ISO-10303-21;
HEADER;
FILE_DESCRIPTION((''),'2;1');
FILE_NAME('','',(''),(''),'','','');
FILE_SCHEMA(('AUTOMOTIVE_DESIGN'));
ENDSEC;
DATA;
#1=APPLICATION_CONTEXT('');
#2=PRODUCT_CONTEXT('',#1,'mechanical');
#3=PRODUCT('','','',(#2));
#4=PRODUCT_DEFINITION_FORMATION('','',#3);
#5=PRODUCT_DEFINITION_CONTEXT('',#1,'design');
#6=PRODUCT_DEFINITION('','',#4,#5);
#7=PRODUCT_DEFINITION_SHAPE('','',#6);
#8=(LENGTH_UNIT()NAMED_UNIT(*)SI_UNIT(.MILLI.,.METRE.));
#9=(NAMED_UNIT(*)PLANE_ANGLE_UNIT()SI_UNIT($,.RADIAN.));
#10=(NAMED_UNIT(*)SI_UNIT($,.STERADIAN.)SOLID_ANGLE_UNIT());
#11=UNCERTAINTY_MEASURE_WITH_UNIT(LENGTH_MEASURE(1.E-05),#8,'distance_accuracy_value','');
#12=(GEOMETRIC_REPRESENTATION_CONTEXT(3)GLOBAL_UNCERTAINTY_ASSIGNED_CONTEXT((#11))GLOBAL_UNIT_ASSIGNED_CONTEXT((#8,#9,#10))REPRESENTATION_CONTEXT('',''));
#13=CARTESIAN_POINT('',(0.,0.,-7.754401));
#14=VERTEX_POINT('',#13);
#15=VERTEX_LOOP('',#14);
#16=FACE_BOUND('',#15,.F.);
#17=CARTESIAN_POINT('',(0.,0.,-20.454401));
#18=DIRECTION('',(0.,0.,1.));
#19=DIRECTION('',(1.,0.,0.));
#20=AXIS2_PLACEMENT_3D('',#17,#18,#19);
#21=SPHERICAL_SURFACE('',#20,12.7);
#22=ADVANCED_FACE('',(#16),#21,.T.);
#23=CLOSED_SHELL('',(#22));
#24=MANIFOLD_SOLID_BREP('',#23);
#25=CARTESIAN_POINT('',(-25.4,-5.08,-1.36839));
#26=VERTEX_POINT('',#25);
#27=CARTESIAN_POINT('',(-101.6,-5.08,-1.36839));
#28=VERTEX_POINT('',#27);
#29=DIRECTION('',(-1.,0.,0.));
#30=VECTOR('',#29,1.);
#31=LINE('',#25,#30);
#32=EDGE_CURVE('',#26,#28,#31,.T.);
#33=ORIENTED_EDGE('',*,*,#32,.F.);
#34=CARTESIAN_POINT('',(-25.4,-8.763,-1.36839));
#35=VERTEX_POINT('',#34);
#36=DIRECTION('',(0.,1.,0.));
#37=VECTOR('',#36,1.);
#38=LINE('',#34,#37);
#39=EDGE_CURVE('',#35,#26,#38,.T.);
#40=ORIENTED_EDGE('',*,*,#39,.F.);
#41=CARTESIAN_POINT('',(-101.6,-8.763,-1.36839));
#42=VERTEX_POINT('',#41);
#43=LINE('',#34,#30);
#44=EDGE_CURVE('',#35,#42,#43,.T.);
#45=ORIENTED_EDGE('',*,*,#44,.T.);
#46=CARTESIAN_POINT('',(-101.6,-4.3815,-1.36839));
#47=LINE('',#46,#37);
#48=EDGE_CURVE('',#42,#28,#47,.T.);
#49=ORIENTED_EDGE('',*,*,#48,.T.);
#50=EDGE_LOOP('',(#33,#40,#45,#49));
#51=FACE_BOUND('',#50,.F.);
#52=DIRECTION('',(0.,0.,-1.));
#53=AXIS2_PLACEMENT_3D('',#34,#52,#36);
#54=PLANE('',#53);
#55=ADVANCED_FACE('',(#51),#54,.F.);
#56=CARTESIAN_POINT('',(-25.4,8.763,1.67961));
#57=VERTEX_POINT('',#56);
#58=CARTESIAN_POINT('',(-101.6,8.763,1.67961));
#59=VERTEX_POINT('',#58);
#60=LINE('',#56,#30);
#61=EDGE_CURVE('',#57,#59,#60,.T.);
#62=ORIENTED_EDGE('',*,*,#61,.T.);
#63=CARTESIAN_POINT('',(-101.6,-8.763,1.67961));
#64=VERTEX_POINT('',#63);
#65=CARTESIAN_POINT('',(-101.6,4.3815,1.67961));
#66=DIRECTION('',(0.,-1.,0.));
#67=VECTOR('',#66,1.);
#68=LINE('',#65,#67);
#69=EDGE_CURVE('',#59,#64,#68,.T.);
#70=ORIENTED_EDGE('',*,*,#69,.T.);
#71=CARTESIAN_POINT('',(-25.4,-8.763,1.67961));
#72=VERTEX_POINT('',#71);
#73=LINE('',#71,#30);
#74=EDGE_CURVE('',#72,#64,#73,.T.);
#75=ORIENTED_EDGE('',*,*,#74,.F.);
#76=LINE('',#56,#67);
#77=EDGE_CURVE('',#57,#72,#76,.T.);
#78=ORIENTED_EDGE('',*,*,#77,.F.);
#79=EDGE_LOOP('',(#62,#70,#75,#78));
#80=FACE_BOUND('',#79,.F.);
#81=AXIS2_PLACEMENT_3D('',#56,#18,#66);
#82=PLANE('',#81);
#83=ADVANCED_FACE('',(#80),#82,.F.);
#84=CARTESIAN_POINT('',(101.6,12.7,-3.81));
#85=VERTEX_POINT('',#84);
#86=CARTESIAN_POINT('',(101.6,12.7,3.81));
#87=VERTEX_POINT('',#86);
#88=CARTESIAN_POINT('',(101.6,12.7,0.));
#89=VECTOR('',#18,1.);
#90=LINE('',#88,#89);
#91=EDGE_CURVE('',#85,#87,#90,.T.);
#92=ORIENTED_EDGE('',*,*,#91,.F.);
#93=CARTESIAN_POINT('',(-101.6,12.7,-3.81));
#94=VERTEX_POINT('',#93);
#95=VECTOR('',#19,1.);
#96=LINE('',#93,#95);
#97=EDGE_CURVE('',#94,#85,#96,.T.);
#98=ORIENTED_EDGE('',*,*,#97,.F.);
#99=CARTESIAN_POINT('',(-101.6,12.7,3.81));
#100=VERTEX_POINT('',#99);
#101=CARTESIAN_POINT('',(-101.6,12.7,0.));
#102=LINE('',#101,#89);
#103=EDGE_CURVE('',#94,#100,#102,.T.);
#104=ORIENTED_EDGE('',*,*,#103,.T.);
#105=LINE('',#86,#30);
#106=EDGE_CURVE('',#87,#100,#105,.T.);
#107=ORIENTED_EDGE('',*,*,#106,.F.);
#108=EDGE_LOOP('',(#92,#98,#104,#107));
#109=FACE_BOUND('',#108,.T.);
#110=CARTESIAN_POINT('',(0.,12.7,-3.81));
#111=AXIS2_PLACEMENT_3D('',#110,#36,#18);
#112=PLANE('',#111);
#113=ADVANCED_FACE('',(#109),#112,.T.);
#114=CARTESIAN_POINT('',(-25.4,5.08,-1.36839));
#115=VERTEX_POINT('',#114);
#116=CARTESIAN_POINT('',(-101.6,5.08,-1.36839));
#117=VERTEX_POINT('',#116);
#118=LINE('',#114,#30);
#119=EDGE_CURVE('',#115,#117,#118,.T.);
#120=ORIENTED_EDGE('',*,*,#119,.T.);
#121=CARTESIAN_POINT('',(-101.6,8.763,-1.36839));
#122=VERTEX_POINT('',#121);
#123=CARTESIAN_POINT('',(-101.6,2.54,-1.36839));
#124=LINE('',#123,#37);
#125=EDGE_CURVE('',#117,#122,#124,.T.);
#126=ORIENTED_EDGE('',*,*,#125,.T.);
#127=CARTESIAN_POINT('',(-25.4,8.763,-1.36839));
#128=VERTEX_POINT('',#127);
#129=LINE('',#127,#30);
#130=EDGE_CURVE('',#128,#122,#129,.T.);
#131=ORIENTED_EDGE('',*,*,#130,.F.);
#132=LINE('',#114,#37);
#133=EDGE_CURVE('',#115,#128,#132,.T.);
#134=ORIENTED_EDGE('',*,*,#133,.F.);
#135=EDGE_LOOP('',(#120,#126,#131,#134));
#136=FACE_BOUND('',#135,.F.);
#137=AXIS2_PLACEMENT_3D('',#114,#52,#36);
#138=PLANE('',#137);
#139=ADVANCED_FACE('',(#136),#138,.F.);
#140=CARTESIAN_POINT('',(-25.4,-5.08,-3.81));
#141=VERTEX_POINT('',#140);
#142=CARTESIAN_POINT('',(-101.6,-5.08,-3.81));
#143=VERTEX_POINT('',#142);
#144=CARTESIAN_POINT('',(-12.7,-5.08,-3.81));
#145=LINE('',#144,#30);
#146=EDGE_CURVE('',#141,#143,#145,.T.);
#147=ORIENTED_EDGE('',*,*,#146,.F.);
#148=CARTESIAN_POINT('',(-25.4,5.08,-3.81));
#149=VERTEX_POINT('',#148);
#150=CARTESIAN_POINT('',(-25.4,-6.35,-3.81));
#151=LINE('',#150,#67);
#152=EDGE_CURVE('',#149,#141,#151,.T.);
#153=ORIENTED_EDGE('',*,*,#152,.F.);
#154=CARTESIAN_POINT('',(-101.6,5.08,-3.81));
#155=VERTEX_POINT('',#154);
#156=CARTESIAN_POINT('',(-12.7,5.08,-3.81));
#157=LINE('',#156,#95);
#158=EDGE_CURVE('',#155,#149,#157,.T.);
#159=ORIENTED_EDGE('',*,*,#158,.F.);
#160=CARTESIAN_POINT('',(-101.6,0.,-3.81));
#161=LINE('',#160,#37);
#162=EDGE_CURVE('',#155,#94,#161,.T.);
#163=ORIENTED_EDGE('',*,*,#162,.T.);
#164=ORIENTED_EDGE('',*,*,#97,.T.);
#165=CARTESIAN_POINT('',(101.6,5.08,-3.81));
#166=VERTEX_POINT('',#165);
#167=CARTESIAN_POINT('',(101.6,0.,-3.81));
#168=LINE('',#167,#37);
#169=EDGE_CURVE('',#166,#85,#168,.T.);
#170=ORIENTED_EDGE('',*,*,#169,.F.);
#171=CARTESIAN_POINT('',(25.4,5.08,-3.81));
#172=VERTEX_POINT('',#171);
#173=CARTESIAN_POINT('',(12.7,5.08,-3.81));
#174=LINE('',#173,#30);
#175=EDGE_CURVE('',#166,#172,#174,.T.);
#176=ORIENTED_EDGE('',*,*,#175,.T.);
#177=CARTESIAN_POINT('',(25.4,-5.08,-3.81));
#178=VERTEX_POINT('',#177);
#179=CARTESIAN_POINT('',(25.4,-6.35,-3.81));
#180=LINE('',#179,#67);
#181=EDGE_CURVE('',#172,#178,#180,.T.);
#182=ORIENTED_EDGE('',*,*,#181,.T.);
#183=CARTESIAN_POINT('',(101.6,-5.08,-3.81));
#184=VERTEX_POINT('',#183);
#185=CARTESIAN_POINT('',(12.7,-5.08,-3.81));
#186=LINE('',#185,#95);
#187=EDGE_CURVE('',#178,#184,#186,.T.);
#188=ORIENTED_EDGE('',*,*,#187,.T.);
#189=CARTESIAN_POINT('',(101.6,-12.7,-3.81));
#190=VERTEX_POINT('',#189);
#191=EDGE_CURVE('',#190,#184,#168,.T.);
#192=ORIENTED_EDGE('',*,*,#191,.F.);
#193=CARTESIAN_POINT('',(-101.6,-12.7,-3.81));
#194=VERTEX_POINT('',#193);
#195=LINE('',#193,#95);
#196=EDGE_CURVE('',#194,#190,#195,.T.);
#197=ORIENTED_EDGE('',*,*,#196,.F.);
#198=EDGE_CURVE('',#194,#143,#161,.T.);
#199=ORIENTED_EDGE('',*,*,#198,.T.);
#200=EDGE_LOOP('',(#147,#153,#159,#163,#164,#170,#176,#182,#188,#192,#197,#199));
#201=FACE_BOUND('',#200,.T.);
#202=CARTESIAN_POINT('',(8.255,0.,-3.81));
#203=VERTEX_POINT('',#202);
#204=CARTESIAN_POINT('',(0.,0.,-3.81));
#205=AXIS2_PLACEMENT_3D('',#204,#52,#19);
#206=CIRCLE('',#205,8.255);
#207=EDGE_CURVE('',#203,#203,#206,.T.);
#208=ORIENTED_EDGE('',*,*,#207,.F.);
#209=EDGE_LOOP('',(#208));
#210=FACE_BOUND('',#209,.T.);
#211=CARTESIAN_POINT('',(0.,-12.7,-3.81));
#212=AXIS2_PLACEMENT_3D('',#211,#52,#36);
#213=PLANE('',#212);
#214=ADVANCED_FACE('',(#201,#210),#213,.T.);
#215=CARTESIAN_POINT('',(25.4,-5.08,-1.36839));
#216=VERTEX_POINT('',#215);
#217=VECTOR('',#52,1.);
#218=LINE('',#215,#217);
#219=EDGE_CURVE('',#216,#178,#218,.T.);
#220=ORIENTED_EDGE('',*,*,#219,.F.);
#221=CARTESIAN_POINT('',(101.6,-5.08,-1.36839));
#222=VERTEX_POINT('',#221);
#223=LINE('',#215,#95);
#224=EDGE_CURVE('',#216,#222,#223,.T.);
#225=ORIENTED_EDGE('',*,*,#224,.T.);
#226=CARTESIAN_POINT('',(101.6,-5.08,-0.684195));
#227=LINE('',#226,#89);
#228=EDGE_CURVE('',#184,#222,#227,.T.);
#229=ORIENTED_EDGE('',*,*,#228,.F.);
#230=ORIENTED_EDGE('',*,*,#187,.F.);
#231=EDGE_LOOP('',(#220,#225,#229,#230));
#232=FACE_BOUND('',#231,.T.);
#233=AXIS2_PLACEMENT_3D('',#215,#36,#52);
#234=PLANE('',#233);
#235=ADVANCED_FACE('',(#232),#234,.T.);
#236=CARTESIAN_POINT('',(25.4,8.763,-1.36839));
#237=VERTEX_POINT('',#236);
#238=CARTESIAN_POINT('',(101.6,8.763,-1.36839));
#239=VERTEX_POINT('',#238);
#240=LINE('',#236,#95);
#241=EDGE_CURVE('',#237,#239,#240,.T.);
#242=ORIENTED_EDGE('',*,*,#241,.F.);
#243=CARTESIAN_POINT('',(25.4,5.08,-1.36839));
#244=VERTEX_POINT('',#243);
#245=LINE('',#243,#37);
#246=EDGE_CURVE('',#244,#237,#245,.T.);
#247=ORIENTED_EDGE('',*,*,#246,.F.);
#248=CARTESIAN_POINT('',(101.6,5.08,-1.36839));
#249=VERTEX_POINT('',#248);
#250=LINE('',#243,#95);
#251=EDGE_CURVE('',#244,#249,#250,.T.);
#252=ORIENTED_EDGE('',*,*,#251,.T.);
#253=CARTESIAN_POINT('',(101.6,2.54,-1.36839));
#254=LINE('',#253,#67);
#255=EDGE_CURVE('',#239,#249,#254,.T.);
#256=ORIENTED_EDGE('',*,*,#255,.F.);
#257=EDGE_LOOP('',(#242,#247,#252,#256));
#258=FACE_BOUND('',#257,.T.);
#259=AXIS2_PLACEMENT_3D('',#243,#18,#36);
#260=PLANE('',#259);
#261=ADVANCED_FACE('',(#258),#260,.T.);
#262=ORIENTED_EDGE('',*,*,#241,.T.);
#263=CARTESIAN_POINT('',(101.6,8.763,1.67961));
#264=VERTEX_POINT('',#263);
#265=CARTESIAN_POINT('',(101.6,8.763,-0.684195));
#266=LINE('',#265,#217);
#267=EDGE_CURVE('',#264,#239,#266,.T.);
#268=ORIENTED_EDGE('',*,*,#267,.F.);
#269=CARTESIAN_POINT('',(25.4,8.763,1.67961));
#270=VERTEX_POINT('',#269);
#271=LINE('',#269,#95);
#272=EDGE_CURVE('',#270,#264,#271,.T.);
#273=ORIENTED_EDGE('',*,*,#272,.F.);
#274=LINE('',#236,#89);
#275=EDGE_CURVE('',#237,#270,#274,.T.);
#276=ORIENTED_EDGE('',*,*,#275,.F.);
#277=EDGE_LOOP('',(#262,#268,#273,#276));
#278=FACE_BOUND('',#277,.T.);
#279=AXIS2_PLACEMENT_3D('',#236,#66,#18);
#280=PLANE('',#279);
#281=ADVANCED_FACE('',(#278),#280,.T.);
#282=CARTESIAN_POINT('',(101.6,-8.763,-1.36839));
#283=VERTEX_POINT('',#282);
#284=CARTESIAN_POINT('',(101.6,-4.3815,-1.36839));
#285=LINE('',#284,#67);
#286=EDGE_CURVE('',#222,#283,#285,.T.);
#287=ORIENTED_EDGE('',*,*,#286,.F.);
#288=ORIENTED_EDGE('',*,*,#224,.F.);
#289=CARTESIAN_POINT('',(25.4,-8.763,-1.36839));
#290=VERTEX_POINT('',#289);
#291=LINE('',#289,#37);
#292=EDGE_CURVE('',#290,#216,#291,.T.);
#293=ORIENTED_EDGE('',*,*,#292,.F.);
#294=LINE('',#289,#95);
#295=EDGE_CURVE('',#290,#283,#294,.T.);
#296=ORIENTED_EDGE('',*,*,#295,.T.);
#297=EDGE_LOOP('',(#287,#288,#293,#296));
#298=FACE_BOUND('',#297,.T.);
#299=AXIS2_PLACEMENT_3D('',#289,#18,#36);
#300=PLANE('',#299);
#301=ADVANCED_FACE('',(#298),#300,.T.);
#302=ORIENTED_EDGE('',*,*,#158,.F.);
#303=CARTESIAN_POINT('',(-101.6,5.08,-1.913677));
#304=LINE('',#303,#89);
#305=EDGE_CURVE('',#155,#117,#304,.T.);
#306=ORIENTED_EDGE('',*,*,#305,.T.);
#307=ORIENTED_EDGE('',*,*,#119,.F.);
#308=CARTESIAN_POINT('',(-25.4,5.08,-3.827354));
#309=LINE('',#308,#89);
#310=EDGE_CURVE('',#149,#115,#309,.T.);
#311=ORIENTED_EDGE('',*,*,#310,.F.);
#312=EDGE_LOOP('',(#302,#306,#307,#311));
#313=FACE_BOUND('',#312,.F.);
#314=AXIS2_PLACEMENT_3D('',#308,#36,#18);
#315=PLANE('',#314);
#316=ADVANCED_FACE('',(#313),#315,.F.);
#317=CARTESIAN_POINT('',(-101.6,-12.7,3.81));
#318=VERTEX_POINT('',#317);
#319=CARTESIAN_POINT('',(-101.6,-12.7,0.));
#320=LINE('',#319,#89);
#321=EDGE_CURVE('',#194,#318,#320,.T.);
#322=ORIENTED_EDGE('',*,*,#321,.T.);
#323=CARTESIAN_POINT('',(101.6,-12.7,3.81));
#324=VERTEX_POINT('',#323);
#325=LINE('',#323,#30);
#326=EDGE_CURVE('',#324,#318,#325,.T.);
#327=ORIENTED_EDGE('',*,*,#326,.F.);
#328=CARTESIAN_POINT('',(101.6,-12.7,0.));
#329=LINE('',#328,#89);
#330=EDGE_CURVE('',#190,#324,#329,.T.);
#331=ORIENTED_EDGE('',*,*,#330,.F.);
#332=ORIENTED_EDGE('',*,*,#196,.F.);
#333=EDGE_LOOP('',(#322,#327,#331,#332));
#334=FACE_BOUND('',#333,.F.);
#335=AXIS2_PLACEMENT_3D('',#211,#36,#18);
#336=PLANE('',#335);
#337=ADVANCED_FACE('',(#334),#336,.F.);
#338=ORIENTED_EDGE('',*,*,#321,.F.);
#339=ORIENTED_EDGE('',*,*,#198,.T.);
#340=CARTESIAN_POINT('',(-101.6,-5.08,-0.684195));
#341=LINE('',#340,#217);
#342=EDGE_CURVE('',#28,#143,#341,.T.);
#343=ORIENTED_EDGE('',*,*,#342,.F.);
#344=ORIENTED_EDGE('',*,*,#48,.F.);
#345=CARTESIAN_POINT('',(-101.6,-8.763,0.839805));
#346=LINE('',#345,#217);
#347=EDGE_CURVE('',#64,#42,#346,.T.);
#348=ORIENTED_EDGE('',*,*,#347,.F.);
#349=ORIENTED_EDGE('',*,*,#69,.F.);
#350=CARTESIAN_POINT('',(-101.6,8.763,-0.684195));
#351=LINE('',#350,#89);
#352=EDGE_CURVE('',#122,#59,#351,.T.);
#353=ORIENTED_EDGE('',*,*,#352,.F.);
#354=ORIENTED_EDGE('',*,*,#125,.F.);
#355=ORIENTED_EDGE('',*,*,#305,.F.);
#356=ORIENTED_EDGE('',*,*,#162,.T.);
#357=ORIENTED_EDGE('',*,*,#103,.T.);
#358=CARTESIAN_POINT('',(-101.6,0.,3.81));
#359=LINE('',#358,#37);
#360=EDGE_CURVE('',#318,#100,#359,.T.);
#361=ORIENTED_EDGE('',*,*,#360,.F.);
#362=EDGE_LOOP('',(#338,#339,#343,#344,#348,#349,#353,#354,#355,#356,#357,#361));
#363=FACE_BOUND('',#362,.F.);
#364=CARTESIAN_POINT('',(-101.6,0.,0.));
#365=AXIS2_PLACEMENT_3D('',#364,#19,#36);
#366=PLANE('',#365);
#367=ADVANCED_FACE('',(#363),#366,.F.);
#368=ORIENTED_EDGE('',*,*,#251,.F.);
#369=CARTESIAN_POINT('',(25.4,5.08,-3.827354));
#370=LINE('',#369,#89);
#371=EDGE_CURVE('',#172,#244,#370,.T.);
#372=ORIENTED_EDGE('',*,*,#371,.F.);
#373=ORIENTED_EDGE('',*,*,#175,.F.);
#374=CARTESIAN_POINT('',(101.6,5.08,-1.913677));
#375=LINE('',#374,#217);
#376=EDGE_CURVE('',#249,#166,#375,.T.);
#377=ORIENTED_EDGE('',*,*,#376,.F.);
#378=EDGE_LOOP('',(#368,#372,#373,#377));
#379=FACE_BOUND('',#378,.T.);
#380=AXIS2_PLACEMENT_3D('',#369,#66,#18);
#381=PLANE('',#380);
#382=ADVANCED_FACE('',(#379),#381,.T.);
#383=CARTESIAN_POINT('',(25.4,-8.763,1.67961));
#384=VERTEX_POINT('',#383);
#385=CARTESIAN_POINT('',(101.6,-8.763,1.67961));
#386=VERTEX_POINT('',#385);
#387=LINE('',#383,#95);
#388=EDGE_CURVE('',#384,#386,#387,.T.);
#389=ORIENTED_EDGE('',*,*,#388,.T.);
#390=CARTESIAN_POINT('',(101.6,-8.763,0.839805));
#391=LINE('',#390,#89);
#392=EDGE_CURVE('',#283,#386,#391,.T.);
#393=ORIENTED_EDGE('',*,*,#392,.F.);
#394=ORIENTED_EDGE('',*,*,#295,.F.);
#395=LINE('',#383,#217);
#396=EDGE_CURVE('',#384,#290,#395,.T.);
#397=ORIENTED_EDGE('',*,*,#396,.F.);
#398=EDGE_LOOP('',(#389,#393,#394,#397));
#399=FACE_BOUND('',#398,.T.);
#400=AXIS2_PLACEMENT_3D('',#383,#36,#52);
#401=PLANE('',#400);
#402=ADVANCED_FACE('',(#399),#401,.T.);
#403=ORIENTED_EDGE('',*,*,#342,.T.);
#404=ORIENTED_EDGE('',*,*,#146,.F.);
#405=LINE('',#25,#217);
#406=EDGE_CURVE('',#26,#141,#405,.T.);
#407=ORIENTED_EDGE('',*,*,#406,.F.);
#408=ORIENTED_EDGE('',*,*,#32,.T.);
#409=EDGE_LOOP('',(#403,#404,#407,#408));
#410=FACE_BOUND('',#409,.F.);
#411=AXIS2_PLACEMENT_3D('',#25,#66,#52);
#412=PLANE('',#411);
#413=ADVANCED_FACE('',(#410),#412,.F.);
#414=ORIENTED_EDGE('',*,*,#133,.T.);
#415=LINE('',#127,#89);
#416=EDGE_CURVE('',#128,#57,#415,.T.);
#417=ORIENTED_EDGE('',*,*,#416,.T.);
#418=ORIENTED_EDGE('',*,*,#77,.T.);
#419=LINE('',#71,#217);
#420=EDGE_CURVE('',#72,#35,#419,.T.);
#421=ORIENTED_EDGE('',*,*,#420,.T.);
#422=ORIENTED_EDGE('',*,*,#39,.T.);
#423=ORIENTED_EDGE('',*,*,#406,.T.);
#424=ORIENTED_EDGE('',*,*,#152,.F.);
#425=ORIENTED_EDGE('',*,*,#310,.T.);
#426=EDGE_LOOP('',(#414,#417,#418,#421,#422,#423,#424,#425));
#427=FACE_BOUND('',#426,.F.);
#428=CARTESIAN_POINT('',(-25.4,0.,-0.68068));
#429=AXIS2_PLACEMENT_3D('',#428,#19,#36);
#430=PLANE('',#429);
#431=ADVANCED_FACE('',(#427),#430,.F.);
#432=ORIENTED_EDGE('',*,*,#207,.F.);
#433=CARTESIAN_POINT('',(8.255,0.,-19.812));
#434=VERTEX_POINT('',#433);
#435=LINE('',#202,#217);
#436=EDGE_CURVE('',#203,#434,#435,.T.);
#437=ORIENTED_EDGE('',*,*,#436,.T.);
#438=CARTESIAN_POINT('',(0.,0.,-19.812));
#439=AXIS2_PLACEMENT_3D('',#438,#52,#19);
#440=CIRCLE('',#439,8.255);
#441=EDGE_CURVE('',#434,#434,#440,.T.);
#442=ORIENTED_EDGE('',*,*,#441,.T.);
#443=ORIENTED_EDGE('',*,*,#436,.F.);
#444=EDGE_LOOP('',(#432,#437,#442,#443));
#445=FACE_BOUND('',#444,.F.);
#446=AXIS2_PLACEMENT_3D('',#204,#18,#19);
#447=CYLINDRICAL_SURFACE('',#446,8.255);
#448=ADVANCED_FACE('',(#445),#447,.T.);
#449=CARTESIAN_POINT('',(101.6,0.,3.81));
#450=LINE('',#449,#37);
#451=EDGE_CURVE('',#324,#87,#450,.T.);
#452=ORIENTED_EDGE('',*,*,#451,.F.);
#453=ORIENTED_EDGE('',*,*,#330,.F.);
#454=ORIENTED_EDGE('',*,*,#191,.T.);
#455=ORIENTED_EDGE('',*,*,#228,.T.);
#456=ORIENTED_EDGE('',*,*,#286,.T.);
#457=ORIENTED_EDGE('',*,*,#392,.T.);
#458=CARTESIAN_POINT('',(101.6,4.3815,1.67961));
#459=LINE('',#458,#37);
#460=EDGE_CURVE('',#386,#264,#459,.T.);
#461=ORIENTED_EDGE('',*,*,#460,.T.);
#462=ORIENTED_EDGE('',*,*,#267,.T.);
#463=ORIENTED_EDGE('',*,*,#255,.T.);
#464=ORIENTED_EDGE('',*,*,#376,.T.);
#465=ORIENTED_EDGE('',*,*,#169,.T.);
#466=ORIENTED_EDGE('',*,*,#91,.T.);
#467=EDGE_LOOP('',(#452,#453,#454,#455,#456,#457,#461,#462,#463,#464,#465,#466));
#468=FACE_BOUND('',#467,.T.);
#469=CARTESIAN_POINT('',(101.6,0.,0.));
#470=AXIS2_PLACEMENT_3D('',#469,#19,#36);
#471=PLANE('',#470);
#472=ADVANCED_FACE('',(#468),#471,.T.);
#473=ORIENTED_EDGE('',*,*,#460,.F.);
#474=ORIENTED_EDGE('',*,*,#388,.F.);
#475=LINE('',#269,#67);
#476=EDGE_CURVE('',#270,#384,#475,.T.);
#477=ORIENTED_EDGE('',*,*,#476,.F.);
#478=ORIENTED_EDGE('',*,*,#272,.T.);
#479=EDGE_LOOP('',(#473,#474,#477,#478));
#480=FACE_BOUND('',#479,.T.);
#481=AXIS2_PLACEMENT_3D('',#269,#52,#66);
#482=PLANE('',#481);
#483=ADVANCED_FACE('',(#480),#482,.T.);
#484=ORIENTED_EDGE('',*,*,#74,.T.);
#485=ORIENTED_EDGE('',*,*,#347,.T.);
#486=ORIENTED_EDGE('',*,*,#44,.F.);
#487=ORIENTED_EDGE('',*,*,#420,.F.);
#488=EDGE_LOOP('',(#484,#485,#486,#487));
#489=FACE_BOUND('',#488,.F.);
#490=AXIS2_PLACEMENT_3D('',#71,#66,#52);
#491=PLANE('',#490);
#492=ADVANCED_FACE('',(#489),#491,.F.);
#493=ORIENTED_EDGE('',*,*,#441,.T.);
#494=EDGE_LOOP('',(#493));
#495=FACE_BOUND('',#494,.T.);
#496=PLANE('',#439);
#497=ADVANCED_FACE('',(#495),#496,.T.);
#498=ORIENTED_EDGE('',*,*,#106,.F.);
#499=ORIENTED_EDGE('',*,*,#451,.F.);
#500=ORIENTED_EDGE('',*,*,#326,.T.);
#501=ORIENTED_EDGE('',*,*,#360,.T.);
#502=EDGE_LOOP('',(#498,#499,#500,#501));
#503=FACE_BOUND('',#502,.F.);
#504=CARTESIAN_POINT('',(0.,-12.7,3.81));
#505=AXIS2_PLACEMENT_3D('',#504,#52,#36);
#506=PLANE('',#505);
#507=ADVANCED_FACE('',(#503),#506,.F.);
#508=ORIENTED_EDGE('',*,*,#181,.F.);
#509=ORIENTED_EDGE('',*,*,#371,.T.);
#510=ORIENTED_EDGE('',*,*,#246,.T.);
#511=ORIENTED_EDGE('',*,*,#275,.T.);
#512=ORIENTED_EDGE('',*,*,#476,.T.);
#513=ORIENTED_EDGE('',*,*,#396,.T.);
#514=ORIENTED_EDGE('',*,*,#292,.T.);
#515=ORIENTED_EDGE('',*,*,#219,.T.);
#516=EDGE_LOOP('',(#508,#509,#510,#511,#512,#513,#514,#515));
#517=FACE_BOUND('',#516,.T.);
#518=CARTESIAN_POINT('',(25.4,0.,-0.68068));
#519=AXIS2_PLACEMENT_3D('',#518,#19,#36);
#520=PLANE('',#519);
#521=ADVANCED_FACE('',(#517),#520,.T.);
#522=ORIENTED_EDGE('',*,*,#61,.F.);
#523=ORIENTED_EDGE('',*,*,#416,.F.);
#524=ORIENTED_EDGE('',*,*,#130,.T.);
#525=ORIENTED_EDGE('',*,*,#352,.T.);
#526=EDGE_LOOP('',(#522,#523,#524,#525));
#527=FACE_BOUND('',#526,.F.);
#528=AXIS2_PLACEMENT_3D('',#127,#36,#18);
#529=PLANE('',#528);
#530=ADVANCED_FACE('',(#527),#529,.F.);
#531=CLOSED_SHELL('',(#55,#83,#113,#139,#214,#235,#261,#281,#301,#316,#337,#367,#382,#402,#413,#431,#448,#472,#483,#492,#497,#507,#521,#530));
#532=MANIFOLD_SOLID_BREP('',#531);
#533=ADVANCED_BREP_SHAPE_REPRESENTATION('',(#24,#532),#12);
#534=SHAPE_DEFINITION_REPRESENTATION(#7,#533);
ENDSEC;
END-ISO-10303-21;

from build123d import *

# Parameters (mm, degrees)
F0_W     = 25.4
F0_H     = 7.62
F1_DEPTH = 101.6
F3_START = -25.4
F3_DEPTH = 93.726
F4_START = 25.4
F4_DEPTH = 101.6
F5_R     = 8.255
F6_DEPTH = 16.002


with BuildPart() as f1:
    # F0 (on Right) → F1 (new body, symmetric)
    with BuildSketch(Plane.YZ):
        Rectangle(F0_W, F0_H)
    extrude(amount=F1_DEPTH, both=True)

    # F2 (on Right) → F3 (cut)
    with BuildSketch(Plane.YZ.offset(F3_START)):
        Polygon((8.763, 1.6796102394), (-8.763, 1.6796102394), (-8.763, -1.3683897606), (-5.08, -1.3683897606), (-5.08, -3.827353653), (5.08, -3.827353653), (5.08, -1.3683897606), (8.763, -1.3683897606), align=None)
    extrude(amount=-F3_DEPTH, mode=Mode.SUBTRACT)

    # F2 (on Right) → F4 (cut)
    with BuildSketch(Plane.YZ.offset(F4_START)):
        Polygon((8.763, 1.6796102394), (-8.763, 1.6796102394), (-8.763, -1.3683897606), (-5.08, -1.3683897606), (-5.08, -3.827353653), (5.08, -3.827353653), (5.08, -1.3683897606), (8.763, -1.3683897606), align=None)
    extrude(amount=F4_DEPTH, mode=Mode.SUBTRACT)

    # F5 (on face) → F6 (join)
    with BuildSketch(Plane(origin=(0, 0, -3.81), x_dir=(1, 0, 0), z_dir=(0, 0, -1))):
        Circle(F5_R)
    extrude(amount=F6_DEPTH)


with BuildPart() as f8:
    # F7 (on Front) → F8 (revolve)
    with BuildSketch(Plane.XZ):
        with BuildLine():
            Line((0, -20.4544011503), (0, -33.1544011503))
            ThreePointArc((0, -33.1544011503), (12.7, -20.4544011503), (0, -7.7544011503))
            Line((0, -7.7544011503), (0, -20.4544011503))
        make_face()
    revolve(axis=Axis((0, 0, -26.8044011503), (0, 0, -1)))


solid = Compound([f1.part, f8.part])
